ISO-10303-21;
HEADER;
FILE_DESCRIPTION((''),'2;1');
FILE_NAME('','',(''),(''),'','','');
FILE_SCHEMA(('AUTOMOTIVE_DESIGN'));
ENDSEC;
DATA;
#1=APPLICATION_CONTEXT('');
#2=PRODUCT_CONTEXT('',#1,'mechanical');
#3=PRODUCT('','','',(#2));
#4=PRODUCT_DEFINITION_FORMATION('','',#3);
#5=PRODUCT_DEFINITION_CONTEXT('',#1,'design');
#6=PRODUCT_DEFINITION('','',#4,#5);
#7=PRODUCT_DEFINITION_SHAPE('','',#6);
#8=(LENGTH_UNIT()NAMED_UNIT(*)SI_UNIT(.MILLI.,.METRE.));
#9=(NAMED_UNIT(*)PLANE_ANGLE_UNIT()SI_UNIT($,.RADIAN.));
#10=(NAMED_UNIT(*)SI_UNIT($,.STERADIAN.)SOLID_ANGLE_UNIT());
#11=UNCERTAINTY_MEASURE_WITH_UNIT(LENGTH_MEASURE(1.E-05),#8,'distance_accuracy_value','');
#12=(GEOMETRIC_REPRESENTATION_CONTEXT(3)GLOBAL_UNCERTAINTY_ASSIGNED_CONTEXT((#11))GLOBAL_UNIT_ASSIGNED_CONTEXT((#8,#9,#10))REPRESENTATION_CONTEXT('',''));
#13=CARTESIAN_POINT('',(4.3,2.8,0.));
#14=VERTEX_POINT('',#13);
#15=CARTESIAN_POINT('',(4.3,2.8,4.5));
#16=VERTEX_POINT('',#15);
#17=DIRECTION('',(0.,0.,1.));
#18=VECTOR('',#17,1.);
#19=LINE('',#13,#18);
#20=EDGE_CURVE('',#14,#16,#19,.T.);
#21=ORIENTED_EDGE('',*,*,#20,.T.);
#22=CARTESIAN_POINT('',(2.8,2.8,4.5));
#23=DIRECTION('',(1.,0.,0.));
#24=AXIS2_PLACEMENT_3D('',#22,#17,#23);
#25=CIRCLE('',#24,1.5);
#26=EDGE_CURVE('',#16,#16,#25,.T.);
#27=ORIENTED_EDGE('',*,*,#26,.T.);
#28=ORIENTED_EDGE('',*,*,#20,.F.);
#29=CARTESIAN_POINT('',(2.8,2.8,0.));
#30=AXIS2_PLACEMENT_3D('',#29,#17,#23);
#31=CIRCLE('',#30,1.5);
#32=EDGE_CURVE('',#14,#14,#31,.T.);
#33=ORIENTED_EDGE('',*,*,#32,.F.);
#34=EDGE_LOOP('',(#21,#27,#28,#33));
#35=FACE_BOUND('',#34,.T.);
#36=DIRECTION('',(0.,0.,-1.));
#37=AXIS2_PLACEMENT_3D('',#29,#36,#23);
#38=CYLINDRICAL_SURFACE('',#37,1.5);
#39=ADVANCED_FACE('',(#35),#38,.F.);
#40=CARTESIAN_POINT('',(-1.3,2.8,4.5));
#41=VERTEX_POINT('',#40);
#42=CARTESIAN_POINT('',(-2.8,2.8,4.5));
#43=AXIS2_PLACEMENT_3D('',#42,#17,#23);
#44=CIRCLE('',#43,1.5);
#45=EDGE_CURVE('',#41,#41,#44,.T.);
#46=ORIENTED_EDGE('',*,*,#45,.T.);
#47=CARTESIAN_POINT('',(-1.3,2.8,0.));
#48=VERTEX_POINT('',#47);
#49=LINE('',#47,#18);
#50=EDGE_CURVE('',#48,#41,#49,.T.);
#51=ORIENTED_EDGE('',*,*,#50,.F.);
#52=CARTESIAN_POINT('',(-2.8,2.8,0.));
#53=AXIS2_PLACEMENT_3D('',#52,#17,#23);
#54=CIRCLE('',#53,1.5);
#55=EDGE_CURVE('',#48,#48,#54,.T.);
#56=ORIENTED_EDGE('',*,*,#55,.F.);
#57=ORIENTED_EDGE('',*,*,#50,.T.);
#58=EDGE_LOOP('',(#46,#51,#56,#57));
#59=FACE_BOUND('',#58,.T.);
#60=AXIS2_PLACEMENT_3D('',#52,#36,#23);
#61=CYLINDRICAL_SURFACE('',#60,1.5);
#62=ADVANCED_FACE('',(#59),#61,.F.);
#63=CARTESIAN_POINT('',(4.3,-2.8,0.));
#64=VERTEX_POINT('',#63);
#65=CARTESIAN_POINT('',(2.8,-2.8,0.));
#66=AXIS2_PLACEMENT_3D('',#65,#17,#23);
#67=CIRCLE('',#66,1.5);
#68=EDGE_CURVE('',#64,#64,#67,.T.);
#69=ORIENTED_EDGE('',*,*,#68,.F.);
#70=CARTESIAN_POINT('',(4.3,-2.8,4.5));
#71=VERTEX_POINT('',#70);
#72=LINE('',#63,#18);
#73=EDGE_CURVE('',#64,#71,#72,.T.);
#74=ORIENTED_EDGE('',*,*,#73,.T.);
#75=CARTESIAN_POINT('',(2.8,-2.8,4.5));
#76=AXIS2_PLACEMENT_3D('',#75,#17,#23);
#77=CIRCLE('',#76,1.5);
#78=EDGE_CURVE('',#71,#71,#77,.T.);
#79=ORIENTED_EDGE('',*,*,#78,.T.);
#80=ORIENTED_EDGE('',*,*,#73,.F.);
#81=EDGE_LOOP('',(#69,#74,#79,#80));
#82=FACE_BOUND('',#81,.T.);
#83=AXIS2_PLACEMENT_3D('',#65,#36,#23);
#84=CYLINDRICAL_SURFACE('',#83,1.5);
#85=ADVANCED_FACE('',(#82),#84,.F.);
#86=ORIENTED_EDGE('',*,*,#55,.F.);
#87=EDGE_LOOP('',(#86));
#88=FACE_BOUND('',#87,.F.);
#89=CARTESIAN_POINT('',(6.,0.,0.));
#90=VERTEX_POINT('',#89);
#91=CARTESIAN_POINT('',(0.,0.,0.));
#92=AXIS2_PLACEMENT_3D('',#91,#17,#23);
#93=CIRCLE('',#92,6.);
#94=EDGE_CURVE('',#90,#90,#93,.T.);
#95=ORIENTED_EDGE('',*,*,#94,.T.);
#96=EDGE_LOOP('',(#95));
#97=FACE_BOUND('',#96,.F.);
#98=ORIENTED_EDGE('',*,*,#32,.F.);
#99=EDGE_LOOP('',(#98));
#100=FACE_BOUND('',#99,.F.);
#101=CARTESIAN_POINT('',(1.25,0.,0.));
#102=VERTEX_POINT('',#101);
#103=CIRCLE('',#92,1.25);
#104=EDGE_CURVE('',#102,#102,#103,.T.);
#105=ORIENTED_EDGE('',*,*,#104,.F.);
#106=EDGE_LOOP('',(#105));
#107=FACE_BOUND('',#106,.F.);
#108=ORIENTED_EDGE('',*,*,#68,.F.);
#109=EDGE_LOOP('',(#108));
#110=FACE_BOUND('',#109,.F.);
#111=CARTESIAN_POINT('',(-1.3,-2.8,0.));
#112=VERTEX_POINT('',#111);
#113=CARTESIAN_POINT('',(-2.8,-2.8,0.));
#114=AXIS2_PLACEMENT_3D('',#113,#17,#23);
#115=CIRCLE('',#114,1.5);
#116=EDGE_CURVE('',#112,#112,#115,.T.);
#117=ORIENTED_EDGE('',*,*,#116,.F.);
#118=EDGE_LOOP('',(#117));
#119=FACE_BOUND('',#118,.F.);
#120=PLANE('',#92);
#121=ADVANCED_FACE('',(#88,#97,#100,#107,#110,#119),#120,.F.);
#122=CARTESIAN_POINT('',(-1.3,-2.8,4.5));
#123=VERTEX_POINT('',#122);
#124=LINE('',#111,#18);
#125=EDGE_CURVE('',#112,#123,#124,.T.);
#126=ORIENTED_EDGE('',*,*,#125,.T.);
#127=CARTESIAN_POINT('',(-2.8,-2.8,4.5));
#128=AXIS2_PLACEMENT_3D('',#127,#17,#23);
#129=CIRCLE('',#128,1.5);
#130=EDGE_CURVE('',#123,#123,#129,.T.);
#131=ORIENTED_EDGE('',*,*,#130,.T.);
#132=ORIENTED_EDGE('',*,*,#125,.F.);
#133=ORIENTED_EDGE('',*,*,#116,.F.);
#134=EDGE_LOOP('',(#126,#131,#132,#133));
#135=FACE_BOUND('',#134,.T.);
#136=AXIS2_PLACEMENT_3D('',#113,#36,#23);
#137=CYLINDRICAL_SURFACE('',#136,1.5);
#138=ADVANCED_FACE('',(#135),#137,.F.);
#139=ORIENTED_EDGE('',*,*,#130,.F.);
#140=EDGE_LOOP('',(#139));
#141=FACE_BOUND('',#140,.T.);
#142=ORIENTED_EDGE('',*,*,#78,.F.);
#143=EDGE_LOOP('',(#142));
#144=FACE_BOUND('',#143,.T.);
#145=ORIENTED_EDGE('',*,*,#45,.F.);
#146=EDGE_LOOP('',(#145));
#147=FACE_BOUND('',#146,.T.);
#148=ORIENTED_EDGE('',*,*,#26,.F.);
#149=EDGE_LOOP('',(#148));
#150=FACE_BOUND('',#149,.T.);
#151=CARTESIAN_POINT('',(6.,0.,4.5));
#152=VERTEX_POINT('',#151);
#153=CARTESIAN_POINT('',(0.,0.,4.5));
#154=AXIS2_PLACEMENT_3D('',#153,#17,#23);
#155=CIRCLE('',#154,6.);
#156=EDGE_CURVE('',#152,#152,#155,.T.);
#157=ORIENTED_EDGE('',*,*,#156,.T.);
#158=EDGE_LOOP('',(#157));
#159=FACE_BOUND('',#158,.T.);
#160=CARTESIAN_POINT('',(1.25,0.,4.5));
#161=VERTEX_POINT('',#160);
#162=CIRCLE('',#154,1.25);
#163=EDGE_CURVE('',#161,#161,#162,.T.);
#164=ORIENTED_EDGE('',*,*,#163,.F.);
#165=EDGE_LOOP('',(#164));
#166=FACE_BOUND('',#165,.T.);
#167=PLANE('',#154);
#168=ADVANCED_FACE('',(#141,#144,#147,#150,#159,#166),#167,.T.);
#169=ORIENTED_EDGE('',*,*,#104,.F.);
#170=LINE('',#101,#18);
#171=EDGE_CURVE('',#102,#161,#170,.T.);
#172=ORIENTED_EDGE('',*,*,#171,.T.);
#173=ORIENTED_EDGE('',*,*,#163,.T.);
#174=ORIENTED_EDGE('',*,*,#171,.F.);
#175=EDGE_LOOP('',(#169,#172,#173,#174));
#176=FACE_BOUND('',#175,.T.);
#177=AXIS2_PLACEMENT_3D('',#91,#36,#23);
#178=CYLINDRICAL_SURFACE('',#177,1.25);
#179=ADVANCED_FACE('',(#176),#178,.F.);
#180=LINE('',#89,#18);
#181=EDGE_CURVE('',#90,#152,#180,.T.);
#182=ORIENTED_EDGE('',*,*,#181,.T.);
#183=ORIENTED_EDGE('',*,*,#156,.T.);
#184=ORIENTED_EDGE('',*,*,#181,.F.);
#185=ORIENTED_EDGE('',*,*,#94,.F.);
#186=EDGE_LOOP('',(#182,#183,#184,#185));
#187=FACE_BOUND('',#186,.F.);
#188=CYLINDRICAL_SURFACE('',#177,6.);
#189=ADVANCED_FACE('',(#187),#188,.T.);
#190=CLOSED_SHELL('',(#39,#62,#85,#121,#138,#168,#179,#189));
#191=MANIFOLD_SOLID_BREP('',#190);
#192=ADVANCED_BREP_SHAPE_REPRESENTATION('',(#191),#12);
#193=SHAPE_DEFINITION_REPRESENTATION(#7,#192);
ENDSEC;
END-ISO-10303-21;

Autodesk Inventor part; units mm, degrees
ref_plane "YZ Plane" through (0, 0, 0) normal (1, 0, 0) x (0, 1, 0)
ref_plane "XZ Plane" through (0, 0, 0) normal (0, 1, 0) x (-1, 0, 0)
ref_plane "XY Plane" through (0, 0, 0) normal (0, 0, 1) x (1, 0, 0)
sketch "スケッチ1" plane through (0, 0, 0) normal (0, 0, 1) x (1, 0, 0)
  circle A0 centre (0, 0) radius 8
  circle A1 centre (0, 0) radius 6
  circle A2 centre (0, 0) radius 1.25
  circle A3 centre (-2.8, -2.8) radius 1.5
  circle A4 centre (-2.8, 2.8) radius 1.5
  circle A5 centre (2.8, 2.8) radius 1.5
  circle A6 centre (2.8, -2.8) radius 1.5
  circle A7 centre (0, 0) radius 6
  dimension "d0" = 16
  dimension "d1" = 12
extrude "押し出し1" add sketch "スケッチ1" along normal blind 4.5 contours A1
properties part number "新型３脚最終段カム2" material "アルミニウム 2014-T4"
